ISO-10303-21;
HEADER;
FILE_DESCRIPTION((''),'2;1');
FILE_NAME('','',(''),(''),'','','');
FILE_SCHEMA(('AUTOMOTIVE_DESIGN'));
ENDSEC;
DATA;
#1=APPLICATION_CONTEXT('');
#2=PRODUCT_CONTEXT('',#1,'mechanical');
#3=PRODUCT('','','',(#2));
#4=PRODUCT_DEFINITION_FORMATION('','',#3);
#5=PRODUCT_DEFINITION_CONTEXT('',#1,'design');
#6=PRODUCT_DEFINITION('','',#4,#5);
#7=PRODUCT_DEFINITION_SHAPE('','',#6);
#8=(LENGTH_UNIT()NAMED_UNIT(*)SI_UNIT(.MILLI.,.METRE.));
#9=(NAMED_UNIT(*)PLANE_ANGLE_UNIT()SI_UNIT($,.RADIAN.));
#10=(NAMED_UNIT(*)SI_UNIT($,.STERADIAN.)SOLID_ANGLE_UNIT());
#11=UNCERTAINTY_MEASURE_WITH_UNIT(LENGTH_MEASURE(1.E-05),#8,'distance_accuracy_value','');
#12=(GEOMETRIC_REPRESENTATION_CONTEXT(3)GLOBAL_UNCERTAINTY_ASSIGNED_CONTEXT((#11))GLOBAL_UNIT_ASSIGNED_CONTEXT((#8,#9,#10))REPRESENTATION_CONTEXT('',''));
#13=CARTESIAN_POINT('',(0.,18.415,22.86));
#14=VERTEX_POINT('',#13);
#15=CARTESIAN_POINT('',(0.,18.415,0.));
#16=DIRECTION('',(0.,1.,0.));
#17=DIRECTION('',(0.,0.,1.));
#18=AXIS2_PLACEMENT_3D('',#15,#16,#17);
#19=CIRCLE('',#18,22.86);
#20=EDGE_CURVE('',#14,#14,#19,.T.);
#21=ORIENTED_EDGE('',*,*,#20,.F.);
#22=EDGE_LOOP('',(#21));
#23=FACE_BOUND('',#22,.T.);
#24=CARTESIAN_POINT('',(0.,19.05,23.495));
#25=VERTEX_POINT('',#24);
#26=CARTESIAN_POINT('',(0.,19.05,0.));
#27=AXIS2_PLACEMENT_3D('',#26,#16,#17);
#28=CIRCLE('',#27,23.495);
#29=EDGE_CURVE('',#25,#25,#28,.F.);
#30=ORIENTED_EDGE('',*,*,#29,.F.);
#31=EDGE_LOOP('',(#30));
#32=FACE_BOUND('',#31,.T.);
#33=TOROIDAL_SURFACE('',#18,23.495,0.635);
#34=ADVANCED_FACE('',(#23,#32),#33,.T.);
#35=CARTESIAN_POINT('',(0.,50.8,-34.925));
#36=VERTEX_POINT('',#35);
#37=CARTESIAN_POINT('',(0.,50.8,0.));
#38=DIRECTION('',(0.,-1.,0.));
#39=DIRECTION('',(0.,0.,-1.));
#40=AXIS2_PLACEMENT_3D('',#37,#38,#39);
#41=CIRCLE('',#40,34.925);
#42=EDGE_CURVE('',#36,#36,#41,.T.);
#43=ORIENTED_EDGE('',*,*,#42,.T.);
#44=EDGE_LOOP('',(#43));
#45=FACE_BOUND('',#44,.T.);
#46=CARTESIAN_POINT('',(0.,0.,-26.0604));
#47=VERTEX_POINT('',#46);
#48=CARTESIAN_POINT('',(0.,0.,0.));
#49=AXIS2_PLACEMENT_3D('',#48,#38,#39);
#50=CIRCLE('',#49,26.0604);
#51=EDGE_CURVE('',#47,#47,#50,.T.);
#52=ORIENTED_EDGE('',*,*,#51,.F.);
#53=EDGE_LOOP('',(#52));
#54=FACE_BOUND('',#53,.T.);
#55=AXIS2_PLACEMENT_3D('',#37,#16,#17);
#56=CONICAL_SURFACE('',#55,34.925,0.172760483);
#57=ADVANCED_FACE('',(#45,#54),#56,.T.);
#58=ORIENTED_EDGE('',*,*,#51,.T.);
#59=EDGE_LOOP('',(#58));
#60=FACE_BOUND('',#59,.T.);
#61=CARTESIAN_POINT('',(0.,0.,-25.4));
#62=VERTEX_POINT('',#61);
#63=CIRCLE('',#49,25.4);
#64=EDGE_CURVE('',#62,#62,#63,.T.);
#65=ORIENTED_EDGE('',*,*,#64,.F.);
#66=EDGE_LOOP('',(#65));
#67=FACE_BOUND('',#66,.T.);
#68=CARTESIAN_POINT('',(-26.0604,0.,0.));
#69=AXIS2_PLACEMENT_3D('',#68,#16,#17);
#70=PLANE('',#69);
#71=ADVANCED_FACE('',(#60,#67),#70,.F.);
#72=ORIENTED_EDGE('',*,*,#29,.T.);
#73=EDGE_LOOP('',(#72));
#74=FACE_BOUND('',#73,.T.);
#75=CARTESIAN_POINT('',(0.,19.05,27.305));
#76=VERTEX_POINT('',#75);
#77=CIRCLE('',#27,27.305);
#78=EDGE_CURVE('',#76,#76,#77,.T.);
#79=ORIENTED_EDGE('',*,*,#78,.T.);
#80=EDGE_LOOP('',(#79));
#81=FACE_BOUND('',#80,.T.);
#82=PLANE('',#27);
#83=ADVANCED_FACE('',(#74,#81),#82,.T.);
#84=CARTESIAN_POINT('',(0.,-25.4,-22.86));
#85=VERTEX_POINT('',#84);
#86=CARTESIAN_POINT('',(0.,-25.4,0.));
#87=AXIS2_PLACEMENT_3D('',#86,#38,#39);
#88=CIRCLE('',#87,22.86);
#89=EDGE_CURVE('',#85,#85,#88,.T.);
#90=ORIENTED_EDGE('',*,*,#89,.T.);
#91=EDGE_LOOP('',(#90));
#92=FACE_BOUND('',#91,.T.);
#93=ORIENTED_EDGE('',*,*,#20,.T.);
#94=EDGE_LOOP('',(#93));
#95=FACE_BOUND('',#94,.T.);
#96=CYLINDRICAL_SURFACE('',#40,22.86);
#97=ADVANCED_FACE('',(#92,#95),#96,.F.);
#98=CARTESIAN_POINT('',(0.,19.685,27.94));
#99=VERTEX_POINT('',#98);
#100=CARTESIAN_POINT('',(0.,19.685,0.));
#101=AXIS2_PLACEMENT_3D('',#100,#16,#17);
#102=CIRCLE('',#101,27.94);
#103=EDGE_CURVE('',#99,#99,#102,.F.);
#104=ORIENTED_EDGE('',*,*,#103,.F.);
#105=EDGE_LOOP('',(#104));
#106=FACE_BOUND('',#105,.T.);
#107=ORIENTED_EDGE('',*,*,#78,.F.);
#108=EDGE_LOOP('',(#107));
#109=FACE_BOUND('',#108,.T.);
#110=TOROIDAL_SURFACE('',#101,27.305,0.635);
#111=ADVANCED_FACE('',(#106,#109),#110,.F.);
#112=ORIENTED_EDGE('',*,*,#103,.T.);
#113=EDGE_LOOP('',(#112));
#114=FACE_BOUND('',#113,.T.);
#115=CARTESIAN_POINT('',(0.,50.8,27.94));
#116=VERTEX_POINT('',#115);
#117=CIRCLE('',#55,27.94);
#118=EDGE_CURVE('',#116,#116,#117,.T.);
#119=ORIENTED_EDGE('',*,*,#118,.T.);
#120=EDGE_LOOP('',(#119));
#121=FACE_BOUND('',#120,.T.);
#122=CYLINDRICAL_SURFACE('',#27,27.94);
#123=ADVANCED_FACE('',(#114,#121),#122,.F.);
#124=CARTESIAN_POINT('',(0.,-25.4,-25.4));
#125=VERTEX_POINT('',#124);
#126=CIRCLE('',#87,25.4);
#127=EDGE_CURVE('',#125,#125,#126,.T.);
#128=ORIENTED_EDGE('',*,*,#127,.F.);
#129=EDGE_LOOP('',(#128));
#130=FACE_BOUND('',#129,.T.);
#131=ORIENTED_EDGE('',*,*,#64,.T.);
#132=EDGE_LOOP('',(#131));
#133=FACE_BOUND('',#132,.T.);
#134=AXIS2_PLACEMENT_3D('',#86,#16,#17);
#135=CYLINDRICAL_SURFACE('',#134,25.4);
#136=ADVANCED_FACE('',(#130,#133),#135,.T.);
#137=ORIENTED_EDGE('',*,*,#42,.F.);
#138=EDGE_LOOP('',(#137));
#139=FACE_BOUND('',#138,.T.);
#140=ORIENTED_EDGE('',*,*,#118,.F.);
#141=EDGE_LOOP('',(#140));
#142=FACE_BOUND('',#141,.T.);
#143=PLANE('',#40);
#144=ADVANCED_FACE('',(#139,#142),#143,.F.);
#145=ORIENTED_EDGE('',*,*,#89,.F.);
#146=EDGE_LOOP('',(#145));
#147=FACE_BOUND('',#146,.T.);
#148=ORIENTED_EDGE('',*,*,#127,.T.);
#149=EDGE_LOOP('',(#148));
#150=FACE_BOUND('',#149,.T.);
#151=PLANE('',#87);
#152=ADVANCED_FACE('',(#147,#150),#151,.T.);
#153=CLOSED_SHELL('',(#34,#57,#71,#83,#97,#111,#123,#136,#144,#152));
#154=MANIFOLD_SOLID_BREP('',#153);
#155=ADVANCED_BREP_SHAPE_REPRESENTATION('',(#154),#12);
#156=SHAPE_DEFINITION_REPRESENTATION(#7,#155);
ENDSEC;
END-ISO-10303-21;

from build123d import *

# Parameters (mm, degrees)
SKETCH6_R           = 25.4
BOSS_EXTRUDE2_DEPTH = 25.4
SKETCH7_R           = 22.86
CUT_EXTRUDE1_DEPTH  = 91.807220253
SKETCH8_R           = 27.94
CUT_EXTRUDE2_DEPTH  = 31.75
FILLET1_R           = 0.635


with BuildPart() as part:
    # Sketch5 → Revolve1 (revolve)
    with BuildSketch(Plane.XY, mode=Mode.PRIVATE) as revolve1_sk:
        Polygon((0, 0), (0, 50.8), (-34.925, 50.8), (-26.0604, 0), align=None)
    revolve(revolve1_sk.sketch.rotate(Axis((0, 0, 0), (0, 1, 0)), 270), axis=Axis((0, 0, 0), (0, 1, 0)))

    # Sketch6 → Boss-Extrude2 (add)
    with BuildSketch(Plane.XZ):
        with Locations(Location((0, 0, 0), (0, 0, 270))):
            Circle(SKETCH6_R)
    extrude(amount=BOSS_EXTRUDE2_DEPTH)

    # Sketch7 → Cut-Extrude1 (cut, through all)
    with BuildSketch(Plane.XZ.offset(25.4)):
        with Locations(Location((0, 0, 0), (0, 0, 270))):
            Circle(SKETCH7_R)
    extrude(amount=-CUT_EXTRUDE1_DEPTH, mode=Mode.SUBTRACT)

    # Sketch8 → Cut-Extrude2 (cut)
    with BuildSketch(Plane(origin=(0, 50.8, 0), x_dir=(1, 0, 0), z_dir=(0, 1, 0))):
        with Locations(Location((0, 0, 0), (0, 0, 270))):
            Circle(SKETCH8_R)
    extrude(amount=-CUT_EXTRUDE2_DEPTH, mode=Mode.SUBTRACT)

    # Fillet1
    fillet1_edges = [part.edges().sort_by_distance(p)[0] for p in [
        (0, 19.05, -27.94),
        (0, 19.05, 22.86),
    ]]
    fillet(fillet1_edges, radius=FILLET1_R)


solid = part.part
